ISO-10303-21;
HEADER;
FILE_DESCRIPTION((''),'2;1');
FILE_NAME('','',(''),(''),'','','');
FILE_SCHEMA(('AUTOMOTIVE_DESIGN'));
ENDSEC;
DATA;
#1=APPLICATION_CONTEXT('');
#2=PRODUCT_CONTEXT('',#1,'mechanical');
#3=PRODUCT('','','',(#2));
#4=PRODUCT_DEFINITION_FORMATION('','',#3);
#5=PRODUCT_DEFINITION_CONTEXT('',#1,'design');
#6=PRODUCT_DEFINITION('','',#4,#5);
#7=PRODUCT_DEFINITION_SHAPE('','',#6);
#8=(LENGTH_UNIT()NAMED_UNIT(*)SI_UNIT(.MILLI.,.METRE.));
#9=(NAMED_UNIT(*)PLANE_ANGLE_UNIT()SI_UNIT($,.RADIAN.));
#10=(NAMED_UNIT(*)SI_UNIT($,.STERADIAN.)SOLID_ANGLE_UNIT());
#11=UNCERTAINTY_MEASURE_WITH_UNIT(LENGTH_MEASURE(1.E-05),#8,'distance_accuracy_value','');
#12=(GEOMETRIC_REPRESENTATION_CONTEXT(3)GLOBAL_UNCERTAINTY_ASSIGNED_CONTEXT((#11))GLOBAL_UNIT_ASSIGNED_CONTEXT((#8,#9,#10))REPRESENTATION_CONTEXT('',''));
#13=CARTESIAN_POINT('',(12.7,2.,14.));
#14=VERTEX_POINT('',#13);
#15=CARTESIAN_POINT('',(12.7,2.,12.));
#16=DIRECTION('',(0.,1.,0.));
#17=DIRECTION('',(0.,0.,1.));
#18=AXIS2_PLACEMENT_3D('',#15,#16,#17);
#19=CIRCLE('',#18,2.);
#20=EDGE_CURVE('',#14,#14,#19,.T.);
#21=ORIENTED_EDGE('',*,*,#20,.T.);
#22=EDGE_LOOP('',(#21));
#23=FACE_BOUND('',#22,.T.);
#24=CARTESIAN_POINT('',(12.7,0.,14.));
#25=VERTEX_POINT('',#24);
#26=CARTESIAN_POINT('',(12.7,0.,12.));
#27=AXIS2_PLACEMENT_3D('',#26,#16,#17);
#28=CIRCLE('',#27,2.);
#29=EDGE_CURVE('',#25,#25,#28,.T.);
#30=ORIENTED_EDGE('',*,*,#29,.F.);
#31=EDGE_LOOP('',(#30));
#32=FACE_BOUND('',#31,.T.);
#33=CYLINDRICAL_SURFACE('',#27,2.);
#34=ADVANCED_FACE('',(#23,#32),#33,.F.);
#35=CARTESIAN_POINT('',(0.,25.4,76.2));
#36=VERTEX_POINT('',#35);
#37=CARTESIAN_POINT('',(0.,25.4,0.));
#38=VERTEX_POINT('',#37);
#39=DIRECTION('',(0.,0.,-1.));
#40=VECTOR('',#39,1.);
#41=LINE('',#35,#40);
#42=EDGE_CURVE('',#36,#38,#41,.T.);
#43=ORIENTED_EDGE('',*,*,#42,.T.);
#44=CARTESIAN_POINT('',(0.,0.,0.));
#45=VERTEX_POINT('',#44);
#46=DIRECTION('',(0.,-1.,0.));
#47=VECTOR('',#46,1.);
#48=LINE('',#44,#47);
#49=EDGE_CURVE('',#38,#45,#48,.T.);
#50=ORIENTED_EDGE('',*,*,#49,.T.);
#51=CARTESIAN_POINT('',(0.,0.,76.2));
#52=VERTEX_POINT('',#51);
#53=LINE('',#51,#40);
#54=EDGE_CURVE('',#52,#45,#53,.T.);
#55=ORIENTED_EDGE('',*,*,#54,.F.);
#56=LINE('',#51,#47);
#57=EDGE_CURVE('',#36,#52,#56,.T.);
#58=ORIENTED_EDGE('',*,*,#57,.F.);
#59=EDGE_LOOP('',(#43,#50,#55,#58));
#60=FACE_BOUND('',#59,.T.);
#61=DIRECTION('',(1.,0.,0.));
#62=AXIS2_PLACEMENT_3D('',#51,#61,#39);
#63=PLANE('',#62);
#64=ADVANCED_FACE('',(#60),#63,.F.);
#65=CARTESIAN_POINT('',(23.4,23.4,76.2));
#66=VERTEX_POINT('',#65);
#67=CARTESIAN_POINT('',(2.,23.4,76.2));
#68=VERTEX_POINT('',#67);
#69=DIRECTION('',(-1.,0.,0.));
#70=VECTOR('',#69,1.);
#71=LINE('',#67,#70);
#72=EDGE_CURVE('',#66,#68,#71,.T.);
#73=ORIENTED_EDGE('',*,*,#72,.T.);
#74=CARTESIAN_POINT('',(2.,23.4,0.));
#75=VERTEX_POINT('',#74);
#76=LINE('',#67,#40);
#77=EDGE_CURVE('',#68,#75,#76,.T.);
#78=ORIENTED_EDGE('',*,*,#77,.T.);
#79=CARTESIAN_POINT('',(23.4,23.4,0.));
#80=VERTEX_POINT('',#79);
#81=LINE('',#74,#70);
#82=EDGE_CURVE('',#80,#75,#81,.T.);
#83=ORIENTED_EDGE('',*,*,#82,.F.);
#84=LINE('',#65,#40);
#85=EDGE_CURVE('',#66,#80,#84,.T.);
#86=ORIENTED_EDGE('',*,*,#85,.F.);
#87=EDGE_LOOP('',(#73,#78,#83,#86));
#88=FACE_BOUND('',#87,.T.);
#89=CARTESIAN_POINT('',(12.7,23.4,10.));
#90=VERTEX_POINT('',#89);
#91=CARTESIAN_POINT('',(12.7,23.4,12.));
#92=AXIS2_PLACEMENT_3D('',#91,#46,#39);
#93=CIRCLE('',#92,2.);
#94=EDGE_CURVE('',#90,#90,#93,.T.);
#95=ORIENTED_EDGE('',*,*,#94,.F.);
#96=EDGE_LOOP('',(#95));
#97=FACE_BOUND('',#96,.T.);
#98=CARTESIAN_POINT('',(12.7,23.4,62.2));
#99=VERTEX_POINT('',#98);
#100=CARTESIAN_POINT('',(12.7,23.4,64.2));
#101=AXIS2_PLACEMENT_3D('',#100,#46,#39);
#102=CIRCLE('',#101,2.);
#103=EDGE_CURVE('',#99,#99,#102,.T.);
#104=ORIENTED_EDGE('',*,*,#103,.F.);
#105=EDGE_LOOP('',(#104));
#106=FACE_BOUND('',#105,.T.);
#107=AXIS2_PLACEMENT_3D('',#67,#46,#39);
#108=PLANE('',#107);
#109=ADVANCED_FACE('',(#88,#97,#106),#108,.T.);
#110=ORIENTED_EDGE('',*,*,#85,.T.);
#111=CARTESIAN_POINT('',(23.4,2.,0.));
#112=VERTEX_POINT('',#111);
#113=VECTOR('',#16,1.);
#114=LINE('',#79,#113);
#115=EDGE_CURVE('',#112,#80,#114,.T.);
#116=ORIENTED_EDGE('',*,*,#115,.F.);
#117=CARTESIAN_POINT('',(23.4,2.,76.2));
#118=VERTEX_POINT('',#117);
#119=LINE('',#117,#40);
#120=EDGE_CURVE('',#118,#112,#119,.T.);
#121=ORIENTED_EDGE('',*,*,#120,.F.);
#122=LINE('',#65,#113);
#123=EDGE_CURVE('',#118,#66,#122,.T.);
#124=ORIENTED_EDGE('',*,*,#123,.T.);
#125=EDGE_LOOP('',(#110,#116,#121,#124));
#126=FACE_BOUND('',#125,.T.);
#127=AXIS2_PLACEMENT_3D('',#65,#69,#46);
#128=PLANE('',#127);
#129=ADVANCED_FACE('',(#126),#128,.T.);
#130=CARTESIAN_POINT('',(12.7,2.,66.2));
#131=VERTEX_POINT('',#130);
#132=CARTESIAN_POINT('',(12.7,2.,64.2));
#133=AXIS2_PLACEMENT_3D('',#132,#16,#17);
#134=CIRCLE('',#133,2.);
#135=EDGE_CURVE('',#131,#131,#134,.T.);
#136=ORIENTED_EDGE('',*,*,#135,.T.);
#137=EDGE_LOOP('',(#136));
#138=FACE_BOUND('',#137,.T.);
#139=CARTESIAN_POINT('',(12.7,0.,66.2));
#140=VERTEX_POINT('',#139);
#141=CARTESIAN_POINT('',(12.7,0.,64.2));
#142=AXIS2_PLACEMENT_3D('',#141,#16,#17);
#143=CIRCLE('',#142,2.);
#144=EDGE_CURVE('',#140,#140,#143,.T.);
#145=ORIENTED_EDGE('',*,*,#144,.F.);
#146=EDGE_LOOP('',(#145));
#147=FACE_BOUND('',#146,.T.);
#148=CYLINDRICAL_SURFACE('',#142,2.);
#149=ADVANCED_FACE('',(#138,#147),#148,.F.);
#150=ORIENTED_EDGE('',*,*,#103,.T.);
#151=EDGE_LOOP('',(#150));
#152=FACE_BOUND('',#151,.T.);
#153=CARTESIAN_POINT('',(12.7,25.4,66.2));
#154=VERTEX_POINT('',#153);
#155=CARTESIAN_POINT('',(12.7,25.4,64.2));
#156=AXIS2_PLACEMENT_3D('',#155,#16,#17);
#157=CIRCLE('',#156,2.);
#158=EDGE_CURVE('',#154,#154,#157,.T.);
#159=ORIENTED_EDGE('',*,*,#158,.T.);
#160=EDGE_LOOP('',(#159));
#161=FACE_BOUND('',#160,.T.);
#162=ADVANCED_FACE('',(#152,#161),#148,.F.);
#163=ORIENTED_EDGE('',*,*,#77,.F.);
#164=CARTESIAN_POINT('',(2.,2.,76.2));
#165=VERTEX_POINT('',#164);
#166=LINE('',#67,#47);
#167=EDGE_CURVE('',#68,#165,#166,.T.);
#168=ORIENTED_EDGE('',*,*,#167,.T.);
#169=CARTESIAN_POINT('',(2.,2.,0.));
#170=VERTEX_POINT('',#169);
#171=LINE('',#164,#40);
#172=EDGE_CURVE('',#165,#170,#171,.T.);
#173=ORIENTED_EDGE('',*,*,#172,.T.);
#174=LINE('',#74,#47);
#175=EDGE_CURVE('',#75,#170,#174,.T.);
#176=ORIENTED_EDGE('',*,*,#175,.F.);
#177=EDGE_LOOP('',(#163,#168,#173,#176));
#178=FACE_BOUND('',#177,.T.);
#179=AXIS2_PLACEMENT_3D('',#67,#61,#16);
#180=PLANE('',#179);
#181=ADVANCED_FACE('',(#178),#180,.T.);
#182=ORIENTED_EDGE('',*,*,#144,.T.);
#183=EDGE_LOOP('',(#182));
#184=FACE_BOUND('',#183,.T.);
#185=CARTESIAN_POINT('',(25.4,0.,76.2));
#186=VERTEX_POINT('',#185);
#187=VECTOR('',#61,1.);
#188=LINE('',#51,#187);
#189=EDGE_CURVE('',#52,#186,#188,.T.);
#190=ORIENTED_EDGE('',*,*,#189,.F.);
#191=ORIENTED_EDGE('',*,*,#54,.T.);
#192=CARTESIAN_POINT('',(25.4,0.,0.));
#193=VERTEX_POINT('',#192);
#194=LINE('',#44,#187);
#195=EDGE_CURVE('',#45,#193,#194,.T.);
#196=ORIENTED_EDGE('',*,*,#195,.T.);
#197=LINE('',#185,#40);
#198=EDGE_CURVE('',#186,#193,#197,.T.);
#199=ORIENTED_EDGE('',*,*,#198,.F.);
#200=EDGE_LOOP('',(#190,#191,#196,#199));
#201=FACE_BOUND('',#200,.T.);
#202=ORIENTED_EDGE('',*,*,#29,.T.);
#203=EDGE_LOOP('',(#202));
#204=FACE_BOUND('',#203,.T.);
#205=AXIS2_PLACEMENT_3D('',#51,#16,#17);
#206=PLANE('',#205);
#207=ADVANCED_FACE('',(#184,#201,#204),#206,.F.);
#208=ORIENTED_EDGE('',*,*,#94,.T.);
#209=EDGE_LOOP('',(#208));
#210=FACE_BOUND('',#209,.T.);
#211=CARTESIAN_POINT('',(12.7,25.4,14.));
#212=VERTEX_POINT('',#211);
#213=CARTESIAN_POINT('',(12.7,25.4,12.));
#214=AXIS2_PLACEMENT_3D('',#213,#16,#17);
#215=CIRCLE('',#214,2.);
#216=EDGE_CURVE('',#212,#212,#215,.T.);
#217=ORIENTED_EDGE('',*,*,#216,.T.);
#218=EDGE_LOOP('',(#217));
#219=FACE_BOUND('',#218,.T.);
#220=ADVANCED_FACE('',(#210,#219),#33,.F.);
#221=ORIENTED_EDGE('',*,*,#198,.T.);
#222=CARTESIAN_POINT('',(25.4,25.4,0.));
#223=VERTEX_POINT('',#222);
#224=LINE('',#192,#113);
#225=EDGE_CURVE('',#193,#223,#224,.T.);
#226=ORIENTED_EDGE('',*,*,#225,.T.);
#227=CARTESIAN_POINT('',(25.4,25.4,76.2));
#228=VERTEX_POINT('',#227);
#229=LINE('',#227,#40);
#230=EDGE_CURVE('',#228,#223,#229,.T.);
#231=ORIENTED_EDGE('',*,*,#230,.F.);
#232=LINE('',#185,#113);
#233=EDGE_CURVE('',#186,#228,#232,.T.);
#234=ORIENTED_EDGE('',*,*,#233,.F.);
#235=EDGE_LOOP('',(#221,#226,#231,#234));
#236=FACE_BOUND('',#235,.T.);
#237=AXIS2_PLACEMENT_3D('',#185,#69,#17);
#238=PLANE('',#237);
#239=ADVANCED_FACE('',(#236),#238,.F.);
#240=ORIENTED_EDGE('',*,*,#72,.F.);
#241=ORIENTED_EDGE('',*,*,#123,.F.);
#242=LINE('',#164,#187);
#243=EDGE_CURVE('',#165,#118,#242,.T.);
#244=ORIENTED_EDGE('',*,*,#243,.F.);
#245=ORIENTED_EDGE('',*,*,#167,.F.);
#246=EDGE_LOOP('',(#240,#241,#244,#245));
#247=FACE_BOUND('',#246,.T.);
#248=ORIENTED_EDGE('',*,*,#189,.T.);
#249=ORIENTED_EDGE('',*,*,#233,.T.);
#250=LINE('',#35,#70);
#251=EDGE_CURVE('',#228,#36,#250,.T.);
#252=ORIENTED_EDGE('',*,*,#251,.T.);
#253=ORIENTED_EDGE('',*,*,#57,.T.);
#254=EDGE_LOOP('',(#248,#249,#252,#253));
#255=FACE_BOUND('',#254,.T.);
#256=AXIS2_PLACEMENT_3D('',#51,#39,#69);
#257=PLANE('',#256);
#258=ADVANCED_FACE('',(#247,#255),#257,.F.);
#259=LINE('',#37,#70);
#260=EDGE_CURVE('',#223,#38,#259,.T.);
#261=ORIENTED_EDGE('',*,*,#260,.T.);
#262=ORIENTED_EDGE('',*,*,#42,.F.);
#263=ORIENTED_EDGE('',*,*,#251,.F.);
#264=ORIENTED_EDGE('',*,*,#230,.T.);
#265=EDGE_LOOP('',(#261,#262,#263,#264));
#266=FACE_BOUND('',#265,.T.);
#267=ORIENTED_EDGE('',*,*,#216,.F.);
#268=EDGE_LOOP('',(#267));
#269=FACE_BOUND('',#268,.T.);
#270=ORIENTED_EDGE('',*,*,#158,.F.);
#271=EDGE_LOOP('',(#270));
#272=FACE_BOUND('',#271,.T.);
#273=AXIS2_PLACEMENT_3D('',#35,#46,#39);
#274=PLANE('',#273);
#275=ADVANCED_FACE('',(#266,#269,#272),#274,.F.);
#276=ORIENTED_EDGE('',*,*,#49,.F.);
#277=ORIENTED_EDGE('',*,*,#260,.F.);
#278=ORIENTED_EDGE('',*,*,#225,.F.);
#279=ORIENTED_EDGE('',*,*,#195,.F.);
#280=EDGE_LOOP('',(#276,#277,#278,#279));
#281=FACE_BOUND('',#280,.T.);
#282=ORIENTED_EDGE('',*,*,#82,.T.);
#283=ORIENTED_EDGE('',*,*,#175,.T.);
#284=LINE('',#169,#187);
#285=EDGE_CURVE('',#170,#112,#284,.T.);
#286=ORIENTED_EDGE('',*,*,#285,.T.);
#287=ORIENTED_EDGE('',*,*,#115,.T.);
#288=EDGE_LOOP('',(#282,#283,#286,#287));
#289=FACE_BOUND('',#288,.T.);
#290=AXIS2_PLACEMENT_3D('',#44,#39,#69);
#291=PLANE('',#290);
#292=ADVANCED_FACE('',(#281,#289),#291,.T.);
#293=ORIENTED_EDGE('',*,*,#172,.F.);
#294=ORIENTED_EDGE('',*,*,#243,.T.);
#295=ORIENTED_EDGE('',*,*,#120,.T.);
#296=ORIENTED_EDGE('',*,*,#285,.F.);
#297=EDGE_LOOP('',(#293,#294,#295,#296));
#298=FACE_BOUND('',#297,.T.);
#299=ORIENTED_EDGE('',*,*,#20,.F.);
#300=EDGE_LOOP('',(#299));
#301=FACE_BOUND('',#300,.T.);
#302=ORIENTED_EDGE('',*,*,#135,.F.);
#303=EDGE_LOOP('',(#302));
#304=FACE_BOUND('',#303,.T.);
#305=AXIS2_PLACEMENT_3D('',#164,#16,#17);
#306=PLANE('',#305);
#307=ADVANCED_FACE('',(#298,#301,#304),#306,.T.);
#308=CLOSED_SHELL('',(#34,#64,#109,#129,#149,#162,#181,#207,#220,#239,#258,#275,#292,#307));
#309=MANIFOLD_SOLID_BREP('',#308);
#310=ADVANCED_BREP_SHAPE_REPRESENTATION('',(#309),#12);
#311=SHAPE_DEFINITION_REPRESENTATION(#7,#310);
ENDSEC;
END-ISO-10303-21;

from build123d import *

# Parameters (mm, degrees)
SKETCH1_W           = 25.4
SKETCH1_H           = 25.4
SKETCH1_W_2         = 21.4
SKETCH1_H_2         = 21.4
BOSS_EXTRUDE1_DEPTH = 76.2
SKETCH3_R           = 2
CUT_EXTRUDE2_DEPTH  = 26.4


with BuildPart() as part:
    # Sketch1 → Boss-Extrude1 (new body)
    with BuildSketch(Plane.XY):
        with Locations((12.7, 12.7)):
            Rectangle(SKETCH1_W, SKETCH1_H)
        with Locations((12.7, 12.7)):
            Rectangle(SKETCH1_W_2, SKETCH1_H_2, mode=Mode.SUBTRACT)
    extrude(amount=BOSS_EXTRUDE1_DEPTH)

    # Sketch3 → Cut-Extrude2 (cut, through all)
    with BuildSketch(Plane(origin=(0, 25.4, 0), x_dir=(1, 0, 0), z_dir=(0, 1, 0))):
        with Locations((12.7, -12)):
            Circle(SKETCH3_R)
        with Locations((12.7, -64.2)):
            Circle(SKETCH3_R)
    extrude(amount=-CUT_EXTRUDE2_DEPTH, mode=Mode.SUBTRACT)


solid = part.part
